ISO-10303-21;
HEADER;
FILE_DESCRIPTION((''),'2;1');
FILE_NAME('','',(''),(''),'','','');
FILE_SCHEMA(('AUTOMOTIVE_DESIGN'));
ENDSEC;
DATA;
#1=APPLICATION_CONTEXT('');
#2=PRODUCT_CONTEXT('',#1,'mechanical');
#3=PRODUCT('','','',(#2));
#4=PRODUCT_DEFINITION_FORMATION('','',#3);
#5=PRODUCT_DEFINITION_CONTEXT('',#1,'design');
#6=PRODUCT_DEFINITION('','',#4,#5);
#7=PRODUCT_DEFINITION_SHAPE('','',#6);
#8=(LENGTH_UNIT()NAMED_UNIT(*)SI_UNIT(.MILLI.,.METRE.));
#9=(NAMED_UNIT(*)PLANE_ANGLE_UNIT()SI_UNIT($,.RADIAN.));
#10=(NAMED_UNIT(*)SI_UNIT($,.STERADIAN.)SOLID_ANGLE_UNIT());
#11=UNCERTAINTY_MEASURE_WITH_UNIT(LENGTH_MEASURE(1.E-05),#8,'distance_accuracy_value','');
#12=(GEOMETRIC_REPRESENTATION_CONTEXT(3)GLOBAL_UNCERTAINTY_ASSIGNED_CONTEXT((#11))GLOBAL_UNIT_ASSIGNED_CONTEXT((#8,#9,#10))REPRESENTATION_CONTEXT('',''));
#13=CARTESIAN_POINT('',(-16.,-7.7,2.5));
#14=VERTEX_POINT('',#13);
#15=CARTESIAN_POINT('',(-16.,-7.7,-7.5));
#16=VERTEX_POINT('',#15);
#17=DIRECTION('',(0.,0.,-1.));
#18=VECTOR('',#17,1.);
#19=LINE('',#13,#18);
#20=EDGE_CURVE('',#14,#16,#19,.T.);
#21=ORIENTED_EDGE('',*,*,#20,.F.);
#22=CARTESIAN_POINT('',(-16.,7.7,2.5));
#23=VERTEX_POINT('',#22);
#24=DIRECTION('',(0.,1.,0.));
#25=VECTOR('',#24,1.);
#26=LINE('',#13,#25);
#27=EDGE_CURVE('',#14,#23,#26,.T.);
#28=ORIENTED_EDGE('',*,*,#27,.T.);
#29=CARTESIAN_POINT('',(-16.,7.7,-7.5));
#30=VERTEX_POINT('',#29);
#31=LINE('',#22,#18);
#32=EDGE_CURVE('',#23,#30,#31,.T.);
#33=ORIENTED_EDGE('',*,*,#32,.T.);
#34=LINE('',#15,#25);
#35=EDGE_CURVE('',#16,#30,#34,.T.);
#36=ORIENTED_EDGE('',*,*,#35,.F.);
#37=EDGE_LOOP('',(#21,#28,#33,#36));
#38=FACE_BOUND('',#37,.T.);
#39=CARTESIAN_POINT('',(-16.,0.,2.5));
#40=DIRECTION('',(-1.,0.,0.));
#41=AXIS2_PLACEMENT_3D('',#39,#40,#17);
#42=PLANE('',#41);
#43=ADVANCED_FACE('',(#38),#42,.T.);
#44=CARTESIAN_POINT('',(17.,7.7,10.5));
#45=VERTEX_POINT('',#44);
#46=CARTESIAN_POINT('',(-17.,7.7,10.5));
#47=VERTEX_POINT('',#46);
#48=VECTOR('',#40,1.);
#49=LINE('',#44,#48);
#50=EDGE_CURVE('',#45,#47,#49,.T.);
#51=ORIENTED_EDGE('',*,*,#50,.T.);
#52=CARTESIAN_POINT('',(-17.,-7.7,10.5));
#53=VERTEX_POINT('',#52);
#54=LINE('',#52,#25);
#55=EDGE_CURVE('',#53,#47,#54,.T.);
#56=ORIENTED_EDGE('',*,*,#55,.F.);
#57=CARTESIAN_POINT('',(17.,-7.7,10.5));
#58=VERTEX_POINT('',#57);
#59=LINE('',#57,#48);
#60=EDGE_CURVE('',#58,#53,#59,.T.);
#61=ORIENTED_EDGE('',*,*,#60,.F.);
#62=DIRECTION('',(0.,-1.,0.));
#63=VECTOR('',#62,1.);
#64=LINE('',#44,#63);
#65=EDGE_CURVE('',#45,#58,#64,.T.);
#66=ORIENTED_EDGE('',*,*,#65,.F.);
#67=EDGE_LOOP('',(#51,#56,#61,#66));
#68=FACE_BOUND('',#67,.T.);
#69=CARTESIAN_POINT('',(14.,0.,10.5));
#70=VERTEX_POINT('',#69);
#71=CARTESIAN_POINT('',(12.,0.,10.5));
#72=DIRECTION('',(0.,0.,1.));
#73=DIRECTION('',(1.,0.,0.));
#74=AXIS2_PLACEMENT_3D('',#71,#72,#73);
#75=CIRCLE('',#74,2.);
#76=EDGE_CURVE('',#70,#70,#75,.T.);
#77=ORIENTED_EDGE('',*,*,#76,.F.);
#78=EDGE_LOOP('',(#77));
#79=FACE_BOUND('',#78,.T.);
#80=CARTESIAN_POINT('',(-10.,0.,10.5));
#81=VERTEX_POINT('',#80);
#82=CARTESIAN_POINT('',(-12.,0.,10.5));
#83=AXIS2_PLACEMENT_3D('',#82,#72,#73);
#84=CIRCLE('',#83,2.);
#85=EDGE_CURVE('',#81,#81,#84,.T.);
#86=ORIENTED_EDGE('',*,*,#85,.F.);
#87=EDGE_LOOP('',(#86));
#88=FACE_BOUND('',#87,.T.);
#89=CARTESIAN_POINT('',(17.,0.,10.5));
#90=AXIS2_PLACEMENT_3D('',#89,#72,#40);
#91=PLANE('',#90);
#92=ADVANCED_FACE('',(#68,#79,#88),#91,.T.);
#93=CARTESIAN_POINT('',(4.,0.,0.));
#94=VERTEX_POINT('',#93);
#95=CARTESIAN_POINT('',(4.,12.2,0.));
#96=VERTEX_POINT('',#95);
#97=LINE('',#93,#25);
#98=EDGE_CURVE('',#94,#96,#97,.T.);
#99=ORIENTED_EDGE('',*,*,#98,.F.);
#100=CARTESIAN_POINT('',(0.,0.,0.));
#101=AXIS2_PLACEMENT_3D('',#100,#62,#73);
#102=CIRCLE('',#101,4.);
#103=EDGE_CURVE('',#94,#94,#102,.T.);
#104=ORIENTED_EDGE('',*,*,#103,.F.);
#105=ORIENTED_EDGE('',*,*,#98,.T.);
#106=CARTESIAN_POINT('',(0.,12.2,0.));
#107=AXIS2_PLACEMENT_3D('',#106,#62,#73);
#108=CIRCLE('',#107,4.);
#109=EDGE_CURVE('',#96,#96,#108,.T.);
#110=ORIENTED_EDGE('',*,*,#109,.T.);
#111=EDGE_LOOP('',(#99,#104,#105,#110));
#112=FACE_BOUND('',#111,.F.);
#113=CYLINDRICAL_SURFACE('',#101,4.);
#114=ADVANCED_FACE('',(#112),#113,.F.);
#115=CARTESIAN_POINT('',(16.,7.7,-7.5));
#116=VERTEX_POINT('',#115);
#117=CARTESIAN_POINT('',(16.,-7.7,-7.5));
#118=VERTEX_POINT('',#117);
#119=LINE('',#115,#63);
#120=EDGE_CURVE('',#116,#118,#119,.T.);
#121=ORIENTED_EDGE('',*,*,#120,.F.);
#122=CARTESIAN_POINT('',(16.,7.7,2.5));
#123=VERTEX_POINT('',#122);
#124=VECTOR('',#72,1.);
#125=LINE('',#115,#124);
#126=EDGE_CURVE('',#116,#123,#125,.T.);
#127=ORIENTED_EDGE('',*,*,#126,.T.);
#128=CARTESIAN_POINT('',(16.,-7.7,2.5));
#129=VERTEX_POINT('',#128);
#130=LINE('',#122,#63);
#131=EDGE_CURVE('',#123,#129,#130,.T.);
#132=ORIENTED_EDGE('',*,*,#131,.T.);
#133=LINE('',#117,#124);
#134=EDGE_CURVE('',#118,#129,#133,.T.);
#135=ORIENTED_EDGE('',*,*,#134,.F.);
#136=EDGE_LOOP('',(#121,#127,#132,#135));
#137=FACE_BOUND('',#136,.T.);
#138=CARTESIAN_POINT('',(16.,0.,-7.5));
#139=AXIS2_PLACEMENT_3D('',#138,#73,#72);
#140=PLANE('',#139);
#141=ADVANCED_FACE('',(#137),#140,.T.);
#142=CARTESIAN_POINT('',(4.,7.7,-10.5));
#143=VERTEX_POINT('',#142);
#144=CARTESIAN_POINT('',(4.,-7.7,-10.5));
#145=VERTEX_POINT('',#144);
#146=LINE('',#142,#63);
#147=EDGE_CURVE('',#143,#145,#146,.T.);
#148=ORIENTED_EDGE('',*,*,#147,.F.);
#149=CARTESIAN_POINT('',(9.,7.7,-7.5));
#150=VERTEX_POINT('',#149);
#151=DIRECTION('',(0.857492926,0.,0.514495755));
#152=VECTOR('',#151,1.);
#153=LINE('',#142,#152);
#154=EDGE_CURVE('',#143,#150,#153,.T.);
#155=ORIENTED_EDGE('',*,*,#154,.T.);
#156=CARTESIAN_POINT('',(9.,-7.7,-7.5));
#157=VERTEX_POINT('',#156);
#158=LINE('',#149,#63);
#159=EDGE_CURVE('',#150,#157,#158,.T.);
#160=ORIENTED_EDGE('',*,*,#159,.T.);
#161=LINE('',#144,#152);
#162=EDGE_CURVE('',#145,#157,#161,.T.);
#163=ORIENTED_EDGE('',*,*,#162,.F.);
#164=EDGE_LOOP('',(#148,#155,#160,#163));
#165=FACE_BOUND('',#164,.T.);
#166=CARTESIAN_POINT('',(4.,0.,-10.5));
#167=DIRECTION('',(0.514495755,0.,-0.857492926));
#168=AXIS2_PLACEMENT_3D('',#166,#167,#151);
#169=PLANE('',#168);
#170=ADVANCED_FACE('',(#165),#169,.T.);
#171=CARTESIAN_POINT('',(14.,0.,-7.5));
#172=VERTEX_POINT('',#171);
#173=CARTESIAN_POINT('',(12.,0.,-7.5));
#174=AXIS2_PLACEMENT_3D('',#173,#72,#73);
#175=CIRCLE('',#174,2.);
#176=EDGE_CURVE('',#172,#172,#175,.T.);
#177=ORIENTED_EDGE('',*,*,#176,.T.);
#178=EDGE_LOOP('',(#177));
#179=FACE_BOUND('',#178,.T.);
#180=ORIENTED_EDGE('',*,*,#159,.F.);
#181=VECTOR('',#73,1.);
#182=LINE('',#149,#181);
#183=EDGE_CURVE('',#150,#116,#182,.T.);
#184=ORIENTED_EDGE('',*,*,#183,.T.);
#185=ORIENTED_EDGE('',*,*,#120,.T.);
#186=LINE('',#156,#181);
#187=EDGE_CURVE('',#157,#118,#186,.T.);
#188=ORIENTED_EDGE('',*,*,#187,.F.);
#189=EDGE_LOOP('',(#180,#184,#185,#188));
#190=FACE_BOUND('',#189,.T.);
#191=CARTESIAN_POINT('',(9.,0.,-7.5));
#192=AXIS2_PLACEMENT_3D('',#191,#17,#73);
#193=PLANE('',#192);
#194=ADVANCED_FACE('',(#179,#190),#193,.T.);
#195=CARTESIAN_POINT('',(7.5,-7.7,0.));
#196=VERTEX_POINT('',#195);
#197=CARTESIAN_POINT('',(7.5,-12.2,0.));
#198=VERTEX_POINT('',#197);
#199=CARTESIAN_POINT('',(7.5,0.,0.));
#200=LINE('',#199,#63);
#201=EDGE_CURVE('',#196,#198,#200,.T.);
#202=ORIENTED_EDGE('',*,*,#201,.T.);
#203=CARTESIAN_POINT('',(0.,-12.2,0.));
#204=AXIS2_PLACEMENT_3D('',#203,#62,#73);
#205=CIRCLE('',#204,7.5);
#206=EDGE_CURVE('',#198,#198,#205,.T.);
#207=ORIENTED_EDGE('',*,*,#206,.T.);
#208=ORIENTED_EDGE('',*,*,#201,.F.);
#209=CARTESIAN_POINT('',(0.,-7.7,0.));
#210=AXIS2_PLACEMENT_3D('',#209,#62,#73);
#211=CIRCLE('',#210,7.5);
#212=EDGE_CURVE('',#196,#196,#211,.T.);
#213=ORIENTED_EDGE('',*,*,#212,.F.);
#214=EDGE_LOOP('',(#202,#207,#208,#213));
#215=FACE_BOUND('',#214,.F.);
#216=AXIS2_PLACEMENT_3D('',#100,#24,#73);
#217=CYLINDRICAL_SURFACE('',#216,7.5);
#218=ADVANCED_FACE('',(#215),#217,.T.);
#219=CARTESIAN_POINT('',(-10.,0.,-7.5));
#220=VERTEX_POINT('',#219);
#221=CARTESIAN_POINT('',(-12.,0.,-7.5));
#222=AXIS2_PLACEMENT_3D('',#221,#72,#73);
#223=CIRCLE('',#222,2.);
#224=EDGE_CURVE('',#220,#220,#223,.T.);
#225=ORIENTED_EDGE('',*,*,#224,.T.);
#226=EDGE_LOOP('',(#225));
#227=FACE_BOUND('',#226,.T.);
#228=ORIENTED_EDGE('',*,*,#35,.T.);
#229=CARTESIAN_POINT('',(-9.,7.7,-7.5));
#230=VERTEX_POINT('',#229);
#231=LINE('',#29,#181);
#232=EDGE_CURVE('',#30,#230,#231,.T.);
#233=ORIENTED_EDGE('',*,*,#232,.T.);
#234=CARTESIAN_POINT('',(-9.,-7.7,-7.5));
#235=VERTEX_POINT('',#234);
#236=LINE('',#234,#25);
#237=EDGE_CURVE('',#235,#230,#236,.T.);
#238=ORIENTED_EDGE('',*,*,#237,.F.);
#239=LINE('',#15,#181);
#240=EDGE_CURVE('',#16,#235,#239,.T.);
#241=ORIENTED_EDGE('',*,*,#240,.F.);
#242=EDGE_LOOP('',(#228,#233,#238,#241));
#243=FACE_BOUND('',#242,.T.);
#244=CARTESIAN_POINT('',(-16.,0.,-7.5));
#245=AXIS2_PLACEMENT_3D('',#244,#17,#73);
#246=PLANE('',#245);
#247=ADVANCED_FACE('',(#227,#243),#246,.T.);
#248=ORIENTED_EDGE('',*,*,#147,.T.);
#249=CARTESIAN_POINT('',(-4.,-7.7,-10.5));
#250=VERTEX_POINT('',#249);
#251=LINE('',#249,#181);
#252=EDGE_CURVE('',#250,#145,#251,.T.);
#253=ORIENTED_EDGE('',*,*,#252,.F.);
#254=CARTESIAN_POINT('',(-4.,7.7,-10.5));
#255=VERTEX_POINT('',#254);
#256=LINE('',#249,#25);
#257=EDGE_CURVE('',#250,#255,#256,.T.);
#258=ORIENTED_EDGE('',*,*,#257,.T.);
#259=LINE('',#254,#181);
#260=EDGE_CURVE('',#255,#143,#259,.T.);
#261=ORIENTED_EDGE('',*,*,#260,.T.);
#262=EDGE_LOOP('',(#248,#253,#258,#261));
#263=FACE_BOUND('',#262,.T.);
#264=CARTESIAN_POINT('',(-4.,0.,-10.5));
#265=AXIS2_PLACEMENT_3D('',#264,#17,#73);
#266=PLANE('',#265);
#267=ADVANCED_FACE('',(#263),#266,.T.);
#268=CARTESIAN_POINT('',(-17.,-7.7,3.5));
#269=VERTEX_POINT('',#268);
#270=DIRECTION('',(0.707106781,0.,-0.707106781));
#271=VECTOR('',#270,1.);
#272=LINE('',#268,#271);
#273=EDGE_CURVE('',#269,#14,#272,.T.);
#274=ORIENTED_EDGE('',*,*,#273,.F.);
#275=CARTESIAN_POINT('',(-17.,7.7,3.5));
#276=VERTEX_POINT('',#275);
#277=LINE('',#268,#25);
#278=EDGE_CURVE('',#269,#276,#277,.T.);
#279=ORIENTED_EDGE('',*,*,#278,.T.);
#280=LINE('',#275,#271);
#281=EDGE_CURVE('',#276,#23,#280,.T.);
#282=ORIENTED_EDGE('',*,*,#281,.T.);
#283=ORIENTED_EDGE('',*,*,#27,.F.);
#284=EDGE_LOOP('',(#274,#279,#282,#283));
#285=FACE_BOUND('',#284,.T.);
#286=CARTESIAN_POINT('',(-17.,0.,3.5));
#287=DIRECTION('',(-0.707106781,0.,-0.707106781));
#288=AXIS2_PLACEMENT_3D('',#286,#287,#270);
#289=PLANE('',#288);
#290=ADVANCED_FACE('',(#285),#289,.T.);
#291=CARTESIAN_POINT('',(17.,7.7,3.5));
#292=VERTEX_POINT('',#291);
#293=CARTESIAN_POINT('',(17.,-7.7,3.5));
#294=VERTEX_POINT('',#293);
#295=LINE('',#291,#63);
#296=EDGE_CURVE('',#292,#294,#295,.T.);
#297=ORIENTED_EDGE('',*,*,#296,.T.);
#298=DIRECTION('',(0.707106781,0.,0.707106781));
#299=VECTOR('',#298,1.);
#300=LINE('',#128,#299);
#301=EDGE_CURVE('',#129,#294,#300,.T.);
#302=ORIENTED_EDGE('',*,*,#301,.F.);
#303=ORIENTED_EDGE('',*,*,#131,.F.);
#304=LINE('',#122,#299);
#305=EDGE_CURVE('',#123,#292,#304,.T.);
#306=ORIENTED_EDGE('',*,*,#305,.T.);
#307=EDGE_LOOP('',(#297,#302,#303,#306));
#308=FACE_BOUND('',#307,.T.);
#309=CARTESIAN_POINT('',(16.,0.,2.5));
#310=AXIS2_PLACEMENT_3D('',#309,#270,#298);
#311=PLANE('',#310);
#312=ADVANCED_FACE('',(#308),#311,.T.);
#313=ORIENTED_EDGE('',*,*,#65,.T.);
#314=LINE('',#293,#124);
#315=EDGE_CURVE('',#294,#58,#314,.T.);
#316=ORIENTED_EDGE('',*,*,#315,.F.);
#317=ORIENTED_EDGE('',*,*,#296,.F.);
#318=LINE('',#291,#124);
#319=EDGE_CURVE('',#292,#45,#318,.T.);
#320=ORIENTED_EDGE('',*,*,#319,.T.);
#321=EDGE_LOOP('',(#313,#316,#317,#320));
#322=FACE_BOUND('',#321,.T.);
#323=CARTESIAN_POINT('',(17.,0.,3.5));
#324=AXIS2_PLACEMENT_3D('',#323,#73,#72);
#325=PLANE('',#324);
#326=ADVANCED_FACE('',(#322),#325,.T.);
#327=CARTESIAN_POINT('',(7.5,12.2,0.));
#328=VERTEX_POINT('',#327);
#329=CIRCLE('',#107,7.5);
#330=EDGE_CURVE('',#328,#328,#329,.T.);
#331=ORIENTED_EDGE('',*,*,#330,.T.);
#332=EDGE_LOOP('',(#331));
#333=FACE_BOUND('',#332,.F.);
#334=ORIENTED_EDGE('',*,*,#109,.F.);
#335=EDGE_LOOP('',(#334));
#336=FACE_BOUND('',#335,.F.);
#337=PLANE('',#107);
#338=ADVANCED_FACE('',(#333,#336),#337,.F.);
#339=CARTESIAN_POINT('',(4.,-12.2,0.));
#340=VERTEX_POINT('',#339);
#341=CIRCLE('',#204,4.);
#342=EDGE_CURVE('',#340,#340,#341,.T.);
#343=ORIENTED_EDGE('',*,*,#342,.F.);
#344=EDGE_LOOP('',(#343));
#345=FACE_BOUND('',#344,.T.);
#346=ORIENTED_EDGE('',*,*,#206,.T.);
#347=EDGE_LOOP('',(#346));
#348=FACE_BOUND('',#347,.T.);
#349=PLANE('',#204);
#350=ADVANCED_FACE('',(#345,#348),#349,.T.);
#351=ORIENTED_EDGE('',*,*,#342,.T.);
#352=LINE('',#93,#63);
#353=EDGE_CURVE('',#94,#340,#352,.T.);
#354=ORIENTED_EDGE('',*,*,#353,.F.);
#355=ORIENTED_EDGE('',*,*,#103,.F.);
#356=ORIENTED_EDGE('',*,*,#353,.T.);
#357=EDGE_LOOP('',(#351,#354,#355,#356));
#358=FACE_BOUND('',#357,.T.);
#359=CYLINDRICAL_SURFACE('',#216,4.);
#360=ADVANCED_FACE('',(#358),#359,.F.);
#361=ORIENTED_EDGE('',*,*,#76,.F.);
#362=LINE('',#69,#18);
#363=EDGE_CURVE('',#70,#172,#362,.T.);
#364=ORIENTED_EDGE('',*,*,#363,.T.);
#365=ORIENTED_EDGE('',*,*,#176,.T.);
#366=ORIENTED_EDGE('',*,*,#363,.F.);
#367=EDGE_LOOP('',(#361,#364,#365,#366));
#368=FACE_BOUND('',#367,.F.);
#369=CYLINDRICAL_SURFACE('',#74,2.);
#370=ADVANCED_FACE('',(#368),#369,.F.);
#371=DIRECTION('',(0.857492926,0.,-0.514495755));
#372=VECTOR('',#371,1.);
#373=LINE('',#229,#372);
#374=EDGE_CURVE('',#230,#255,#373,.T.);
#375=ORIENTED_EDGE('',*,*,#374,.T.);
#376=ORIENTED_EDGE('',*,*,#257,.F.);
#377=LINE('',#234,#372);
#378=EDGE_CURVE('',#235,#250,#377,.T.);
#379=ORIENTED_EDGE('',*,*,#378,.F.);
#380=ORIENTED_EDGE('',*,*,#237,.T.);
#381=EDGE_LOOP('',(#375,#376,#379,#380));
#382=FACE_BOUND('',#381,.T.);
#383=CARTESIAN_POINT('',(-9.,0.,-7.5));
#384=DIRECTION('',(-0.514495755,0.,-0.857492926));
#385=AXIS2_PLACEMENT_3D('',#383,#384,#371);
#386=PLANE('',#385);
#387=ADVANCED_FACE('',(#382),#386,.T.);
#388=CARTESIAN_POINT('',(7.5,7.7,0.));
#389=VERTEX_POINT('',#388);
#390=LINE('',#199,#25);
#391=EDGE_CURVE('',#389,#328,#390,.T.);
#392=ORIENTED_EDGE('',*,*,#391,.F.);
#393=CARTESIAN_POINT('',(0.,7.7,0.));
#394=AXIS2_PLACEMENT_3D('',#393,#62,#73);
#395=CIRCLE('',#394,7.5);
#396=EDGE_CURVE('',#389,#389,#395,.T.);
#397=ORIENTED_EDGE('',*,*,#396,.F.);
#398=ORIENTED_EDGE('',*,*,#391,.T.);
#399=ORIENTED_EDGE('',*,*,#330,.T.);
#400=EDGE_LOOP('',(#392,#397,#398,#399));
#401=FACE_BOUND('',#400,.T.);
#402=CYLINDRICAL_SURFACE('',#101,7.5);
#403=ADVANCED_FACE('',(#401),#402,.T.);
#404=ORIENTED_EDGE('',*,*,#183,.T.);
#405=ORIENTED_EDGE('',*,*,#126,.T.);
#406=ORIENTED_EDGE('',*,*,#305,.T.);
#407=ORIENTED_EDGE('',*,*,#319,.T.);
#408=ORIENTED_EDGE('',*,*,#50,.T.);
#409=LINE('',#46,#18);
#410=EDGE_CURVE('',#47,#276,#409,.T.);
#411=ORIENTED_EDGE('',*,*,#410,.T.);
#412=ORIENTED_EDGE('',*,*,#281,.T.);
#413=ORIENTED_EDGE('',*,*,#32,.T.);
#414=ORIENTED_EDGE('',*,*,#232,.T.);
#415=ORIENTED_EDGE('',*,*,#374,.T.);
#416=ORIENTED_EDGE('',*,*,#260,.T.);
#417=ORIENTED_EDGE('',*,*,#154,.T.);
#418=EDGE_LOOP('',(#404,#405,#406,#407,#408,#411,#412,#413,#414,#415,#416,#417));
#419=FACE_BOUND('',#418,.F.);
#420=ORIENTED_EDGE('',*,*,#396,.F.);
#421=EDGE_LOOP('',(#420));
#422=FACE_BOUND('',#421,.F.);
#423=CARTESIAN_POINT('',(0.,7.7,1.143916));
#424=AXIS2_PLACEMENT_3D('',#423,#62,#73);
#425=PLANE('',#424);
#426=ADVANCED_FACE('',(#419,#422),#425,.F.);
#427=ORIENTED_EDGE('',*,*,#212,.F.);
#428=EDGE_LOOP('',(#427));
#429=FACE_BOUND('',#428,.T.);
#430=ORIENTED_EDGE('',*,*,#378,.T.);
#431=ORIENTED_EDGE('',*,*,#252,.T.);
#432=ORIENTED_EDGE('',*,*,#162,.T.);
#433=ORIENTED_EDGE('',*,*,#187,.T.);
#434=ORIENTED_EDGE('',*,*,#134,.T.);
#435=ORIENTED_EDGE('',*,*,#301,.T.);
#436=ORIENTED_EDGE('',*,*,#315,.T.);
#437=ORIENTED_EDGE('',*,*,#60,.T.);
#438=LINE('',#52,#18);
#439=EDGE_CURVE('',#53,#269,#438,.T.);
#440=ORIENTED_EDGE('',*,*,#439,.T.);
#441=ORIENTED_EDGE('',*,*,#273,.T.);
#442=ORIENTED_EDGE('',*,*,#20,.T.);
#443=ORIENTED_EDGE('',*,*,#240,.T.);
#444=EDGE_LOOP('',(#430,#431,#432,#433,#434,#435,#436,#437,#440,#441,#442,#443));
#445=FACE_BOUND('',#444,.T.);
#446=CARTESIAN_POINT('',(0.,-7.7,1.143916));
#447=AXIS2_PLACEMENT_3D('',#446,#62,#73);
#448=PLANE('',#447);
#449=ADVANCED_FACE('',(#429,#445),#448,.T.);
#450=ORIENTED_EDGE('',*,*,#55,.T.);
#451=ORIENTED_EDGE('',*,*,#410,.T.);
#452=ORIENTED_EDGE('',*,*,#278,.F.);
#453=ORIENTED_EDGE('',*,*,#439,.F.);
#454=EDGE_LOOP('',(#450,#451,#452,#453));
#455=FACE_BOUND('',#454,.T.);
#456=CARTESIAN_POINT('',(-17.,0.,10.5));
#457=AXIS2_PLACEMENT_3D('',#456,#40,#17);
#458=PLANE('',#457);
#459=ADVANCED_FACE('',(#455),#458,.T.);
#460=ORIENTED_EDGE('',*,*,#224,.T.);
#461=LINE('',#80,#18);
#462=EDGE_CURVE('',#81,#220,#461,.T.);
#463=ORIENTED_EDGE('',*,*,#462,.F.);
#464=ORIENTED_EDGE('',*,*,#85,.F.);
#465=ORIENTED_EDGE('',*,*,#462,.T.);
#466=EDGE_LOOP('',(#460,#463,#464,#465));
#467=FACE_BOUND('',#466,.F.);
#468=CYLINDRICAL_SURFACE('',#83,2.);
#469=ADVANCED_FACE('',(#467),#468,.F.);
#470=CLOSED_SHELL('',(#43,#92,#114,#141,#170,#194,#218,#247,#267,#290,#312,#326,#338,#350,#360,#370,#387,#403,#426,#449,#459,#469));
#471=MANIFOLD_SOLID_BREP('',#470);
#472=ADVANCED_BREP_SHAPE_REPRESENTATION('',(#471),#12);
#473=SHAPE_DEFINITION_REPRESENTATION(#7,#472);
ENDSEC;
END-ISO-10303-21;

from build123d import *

# Parameters (mm, degrees)
F0_R          = 7.5
F1_DEPTH      = 7.7
F1_DEPTH_BACK = 7.7
F2_R          = 2
F3_DEPTH      = 25
F4_R          = 7.5
F4_R_2        = 4
F5_DEPTH      = 12.2
F5_DEPTH_BACK = 12.2


with BuildPart() as f1:
    # F0 (on Front) → F1 (new body, two sides)
    with BuildSketch(Plane.XZ) as f1_sk:
        Polygon((-4, -10.5), (4, -10.5), (9, -7.5), (16, -7.5), (16, 2.5), (17, 3.5), (17, 10.5), (-17, 10.5), (-17, 3.5), (-16, 2.5), (-16, -7.5), (-9, -7.5), align=None)
        Circle(F0_R, mode=Mode.SUBTRACT)
    extrude(amount=F1_DEPTH)
    extrude(f1_sk.sketch, amount=-F1_DEPTH_BACK)

    # F2 (on face) → F3 (cut)
    with BuildSketch(Plane.XY.offset(10.5)):
        with Locations((-12, 0)):
            Circle(F2_R)
        with Locations((12, 0)):
            Circle(F2_R)
    extrude(amount=-F3_DEPTH, mode=Mode.SUBTRACT)

    # F4 (on Front) → F5 (join, two sides)
    with BuildSketch(Plane.XZ) as f5_sk:
        Circle(F4_R)
        Circle(F4_R_2, mode=Mode.SUBTRACT)
    extrude(amount=F5_DEPTH)
    extrude(f5_sk.sketch, amount=-F5_DEPTH_BACK)


solid = f1.part
